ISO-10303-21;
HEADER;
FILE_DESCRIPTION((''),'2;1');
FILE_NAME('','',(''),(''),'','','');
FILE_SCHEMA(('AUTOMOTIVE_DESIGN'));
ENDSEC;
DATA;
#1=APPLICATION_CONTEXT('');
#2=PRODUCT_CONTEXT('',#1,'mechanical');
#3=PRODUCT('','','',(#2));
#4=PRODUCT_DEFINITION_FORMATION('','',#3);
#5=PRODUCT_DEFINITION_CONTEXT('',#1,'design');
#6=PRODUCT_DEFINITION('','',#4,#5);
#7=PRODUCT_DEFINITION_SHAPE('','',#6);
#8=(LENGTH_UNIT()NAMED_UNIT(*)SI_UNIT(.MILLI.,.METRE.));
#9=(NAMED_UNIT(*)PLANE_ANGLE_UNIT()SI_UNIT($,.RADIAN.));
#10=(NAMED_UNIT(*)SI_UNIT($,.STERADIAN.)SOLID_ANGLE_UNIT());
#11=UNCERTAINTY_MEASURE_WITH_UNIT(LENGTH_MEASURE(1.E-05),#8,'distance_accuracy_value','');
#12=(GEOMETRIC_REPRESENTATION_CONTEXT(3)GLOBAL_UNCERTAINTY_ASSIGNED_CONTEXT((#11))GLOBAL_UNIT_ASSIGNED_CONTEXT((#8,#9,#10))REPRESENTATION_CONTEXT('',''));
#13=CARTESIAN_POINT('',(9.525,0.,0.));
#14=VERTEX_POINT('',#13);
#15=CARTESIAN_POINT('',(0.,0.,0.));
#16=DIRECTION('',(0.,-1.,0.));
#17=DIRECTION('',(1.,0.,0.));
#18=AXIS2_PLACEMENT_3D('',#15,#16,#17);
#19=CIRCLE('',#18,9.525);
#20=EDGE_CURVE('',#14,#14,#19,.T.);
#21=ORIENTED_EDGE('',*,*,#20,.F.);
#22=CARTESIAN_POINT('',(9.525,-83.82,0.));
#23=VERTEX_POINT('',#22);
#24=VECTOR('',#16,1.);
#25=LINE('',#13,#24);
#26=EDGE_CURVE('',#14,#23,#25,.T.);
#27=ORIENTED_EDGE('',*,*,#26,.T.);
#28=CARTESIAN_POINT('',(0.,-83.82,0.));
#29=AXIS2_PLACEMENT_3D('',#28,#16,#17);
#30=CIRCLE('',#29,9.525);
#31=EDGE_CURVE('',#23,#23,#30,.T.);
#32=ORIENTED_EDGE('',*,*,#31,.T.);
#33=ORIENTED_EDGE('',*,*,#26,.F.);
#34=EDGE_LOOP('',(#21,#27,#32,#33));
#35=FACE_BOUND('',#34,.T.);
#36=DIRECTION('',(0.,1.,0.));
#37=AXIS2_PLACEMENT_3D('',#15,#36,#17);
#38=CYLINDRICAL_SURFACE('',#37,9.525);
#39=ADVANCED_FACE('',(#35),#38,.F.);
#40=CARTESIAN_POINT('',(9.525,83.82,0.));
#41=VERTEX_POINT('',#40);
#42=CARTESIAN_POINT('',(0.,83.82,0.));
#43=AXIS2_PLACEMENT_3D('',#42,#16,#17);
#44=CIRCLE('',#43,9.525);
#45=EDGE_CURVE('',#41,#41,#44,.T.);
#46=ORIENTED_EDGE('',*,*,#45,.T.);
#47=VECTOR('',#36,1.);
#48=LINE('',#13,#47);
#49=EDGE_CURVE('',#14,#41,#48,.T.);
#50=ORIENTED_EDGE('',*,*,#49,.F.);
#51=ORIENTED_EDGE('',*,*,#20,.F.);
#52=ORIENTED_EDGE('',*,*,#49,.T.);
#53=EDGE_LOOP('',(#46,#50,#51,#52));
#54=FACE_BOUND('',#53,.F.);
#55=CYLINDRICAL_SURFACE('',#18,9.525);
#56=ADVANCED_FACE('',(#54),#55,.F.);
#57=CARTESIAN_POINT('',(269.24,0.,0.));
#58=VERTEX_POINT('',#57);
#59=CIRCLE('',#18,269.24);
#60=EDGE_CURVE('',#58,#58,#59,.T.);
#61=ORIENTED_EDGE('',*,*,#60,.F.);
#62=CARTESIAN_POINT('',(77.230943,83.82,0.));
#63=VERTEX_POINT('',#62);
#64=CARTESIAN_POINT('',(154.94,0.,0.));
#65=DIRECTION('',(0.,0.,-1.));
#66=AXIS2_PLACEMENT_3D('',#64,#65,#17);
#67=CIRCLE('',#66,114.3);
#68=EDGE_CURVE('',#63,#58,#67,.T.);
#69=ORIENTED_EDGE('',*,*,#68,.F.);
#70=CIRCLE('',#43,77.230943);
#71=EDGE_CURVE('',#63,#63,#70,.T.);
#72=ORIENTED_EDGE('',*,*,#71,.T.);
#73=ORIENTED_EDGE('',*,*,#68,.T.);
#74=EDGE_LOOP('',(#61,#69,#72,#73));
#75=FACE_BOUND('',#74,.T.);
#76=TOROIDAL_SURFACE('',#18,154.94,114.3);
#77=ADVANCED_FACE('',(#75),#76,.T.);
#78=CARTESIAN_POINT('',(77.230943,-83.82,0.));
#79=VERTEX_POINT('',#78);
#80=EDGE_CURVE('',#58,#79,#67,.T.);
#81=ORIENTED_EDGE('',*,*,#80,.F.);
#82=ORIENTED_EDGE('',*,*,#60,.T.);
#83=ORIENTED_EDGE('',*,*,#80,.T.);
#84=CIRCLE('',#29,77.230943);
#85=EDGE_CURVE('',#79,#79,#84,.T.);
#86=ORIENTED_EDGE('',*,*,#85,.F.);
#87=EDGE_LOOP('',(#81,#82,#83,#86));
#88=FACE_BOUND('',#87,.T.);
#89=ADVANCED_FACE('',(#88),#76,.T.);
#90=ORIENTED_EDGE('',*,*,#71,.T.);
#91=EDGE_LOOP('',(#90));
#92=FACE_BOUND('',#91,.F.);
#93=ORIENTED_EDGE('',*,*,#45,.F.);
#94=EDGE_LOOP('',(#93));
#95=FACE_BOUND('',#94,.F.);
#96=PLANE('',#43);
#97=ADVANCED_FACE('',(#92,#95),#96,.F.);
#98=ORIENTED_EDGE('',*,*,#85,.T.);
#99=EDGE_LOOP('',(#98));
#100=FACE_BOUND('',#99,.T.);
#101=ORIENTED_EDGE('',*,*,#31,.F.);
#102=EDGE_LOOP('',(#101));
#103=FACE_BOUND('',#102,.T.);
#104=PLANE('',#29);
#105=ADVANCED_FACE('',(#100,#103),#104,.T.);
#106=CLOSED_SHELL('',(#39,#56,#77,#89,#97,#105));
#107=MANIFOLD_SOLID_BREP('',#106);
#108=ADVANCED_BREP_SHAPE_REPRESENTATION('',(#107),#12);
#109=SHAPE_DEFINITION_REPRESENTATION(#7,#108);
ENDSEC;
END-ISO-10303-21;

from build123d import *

# Parameters (mm, degrees)
F1_R          = 114.3
F3_R          = 88.9
F3_R_2        = 9.525
F4_DEPTH      = 83.82
F4_DEPTH_BACK = 83.82


with BuildPart() as f2:
    # F2: sweep along a path in F0
    with BuildLine(Plane.XZ) as f2_path:
        CenterArc((0, 0), 166.37, 0, 360)
    # F1 (on Top) → F2 (sweep)
    with BuildSketch(Plane.XY):
        with Locations((154.94, 0)):
            Circle(F1_R)
    sweep(path=f2_path.line)

    # F3 (on Front) → F4 (join, two sides)
    with BuildSketch(Plane.XZ) as f4_sk:
        Circle(F3_R)
        Circle(F3_R_2, mode=Mode.SUBTRACT)
    extrude(amount=F4_DEPTH)
    extrude(f4_sk.sketch, amount=-F4_DEPTH_BACK)


solid = f2.part
